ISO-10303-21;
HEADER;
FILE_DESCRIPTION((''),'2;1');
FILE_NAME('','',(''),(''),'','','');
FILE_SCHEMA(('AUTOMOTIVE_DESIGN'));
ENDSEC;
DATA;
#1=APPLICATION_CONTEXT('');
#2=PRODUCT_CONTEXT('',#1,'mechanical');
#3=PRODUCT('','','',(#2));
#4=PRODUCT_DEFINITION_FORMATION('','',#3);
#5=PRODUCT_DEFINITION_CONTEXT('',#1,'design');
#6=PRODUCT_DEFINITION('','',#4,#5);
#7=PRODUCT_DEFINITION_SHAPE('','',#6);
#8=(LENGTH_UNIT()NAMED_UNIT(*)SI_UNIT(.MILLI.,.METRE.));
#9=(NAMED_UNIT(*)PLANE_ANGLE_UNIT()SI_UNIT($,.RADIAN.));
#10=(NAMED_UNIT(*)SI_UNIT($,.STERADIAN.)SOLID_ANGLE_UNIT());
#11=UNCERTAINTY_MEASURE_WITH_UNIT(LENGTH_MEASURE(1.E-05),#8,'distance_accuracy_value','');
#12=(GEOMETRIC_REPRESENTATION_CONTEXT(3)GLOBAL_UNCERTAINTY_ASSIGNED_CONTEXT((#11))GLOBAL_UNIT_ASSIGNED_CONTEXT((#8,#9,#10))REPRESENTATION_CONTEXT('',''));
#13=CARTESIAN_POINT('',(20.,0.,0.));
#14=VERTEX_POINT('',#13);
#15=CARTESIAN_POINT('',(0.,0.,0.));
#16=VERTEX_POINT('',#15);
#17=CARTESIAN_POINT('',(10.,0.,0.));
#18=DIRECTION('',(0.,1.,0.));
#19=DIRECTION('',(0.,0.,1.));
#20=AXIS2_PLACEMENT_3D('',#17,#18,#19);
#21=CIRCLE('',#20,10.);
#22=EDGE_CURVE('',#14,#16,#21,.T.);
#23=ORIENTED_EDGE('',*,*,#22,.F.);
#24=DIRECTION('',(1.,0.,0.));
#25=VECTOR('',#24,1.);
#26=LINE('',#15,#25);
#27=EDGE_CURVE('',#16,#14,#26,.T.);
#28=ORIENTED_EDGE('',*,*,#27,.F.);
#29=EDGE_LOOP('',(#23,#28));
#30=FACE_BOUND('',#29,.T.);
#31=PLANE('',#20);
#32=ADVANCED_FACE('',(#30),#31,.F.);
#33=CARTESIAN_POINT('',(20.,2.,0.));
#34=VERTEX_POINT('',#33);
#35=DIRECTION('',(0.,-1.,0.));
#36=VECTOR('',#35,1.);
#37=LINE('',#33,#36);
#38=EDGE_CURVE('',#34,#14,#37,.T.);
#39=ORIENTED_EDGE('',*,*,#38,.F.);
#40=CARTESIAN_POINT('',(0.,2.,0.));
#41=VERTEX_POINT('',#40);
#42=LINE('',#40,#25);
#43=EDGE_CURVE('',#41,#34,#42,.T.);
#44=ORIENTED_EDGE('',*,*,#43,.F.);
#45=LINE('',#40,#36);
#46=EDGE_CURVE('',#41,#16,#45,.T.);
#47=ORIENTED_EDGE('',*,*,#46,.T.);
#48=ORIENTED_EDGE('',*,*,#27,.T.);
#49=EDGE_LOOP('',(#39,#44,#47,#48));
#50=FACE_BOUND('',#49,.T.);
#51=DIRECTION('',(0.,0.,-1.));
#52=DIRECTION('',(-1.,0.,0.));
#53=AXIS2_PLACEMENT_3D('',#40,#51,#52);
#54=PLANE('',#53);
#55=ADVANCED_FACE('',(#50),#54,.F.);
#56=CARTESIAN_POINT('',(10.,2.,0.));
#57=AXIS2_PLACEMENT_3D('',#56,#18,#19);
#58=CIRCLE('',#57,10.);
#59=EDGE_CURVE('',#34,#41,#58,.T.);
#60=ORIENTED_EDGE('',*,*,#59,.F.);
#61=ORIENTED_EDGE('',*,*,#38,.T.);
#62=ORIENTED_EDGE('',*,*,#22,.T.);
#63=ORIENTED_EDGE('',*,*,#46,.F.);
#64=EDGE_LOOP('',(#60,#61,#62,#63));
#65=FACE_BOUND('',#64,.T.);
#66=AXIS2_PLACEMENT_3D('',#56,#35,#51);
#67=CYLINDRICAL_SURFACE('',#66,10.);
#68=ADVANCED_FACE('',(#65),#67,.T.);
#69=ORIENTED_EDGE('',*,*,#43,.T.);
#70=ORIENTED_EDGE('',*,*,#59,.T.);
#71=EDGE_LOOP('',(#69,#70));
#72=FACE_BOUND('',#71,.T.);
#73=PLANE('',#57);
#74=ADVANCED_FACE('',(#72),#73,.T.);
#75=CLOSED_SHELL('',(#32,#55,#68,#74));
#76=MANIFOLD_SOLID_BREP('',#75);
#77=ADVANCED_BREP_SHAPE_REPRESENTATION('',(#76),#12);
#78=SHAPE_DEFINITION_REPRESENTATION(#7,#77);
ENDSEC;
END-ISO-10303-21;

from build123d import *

# Parameters (mm, degrees)
EXTRUDE_1_DEPTH = 2


with BuildPart() as part:
    # 草图1 → 凸台-拉伸1 (new body)
    with BuildSketch(Plane(origin=(0, 0, 0), x_dir=(1, 0, 0), z_dir=(0, 1, 0))):
        with BuildLine():
            Line((0, 0), (20, 0))
            ThreePointArc((20, 0), (10, 10), (0, 0))
        make_face()
    extrude(amount=EXTRUDE_1_DEPTH)


solid = part.part
